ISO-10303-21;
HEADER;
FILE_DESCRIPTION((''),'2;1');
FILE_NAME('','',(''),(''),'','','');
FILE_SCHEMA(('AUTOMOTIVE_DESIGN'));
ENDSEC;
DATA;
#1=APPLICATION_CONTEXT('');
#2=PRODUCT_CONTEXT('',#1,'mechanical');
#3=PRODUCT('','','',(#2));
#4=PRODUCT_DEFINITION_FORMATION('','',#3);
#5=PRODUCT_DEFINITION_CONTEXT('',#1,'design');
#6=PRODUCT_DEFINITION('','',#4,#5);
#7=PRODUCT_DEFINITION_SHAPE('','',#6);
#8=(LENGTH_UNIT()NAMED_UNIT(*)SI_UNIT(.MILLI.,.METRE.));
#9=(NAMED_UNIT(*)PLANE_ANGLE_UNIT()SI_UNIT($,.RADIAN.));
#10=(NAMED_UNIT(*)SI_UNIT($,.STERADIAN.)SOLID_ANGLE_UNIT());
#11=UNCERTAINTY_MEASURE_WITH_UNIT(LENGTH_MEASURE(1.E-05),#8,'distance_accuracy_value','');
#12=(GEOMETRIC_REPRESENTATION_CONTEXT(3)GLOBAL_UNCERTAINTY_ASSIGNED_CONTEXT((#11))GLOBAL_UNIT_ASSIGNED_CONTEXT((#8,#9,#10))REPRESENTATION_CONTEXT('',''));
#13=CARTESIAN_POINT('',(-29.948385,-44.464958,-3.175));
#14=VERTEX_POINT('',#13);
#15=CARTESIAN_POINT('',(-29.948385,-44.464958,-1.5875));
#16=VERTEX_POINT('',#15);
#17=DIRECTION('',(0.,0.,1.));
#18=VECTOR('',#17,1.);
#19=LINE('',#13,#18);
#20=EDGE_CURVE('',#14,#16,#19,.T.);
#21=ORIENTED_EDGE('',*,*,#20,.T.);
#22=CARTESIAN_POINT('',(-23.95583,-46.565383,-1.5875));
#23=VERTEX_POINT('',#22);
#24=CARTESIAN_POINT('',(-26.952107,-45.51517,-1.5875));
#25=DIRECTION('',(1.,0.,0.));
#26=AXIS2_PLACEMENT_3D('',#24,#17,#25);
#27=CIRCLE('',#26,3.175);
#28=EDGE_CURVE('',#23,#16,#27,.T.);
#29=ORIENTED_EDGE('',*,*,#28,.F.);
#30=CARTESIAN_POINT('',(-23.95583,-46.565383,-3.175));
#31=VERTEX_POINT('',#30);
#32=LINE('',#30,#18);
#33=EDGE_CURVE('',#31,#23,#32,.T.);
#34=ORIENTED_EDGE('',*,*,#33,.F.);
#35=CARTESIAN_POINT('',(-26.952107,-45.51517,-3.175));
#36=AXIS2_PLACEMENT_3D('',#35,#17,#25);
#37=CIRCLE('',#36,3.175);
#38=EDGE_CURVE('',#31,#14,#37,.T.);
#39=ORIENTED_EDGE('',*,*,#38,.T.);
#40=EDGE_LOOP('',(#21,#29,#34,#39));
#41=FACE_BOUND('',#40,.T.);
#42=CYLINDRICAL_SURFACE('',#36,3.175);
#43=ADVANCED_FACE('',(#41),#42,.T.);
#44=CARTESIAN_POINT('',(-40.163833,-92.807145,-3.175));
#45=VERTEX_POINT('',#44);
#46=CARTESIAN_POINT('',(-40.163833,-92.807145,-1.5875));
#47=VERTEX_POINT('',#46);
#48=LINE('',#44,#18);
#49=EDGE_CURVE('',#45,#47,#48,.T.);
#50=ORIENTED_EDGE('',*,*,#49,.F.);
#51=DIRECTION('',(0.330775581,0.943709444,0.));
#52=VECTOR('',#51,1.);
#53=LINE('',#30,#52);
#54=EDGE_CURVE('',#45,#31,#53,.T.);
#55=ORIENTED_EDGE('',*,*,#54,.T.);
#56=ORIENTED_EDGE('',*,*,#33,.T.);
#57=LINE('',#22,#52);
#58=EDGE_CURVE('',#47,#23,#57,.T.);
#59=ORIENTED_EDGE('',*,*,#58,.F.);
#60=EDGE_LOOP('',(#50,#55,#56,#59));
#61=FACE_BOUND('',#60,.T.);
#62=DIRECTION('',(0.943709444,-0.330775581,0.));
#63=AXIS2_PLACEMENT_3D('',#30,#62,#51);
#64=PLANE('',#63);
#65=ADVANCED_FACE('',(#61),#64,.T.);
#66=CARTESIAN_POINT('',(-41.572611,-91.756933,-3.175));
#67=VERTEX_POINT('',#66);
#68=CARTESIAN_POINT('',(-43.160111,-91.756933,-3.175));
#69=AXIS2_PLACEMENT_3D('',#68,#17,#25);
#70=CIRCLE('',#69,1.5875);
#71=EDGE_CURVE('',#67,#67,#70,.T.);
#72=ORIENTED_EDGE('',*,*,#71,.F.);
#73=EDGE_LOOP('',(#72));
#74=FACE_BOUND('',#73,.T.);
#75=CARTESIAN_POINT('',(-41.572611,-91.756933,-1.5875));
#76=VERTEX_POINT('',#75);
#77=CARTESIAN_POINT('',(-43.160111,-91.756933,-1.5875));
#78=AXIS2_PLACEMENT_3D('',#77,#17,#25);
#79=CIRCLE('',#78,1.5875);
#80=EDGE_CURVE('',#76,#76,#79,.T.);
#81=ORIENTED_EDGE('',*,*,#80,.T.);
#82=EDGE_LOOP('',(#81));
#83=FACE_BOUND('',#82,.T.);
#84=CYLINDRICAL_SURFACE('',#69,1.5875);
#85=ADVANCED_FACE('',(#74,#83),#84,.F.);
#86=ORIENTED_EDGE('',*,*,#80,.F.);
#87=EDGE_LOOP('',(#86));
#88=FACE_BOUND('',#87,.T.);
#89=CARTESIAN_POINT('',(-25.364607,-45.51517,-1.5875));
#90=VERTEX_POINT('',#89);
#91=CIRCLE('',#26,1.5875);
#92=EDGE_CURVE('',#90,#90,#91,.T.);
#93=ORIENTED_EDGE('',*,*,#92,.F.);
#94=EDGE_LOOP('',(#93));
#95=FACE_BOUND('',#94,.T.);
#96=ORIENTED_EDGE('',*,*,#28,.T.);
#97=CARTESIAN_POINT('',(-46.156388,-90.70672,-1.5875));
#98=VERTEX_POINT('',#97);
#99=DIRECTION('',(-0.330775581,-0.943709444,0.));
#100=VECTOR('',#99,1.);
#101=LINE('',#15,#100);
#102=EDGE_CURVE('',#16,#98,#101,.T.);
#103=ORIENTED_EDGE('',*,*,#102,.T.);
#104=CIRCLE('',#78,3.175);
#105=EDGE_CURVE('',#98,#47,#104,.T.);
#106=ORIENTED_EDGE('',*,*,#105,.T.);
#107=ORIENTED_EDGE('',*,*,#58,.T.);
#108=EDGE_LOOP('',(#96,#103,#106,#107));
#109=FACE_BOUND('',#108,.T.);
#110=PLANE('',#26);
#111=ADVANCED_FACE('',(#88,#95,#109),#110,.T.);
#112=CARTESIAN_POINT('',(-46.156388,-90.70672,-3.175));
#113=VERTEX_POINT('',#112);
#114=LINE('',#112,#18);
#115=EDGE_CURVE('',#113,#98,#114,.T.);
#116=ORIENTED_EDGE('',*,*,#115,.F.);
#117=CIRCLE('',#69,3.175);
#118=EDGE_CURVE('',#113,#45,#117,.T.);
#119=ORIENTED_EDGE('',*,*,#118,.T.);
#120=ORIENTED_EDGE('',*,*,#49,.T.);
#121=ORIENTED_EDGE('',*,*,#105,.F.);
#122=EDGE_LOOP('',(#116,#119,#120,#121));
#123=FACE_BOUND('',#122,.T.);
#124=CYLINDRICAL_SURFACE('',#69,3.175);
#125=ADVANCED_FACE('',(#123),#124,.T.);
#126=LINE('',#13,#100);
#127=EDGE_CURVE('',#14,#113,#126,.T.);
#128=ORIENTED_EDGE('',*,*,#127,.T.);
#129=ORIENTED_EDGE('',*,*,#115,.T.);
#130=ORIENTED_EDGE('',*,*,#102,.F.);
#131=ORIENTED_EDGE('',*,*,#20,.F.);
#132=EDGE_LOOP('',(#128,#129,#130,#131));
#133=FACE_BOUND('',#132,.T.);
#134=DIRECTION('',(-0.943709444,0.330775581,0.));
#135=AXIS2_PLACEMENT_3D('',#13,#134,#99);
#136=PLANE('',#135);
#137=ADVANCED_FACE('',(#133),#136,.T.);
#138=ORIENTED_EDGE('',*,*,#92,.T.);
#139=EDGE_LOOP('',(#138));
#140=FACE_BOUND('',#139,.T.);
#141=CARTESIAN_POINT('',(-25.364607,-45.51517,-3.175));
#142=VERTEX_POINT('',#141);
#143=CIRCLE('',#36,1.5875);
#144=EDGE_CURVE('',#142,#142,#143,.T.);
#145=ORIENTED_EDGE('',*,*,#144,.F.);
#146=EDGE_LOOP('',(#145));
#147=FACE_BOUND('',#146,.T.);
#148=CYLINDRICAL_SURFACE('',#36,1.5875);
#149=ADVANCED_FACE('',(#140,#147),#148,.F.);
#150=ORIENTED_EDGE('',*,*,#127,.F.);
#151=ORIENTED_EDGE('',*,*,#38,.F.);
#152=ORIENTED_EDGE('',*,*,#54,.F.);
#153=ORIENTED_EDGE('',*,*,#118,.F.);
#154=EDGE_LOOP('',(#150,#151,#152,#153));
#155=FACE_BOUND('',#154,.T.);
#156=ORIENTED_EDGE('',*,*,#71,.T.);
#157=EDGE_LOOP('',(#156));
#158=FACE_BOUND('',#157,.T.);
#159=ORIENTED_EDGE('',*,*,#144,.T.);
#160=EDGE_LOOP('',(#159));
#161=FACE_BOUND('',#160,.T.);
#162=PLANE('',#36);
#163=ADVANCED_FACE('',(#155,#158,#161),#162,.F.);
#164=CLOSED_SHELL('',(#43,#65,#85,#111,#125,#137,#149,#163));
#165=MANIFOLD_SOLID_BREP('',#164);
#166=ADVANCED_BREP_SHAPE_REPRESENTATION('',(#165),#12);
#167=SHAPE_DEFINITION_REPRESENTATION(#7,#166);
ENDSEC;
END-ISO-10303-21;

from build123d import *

# Parameters (mm, degrees)
BOSS_EXTRUDE1_START = -1.5875
SKETCH1_R           = 1.5875
BOSS_EXTRUDE1_DEPTH = 1.5875


with BuildPart() as part:
    # Sketch1 → Boss-Extrude1 (new body)
    with BuildSketch(Plane.XY.offset(BOSS_EXTRUDE1_START)):
        with BuildLine():
            Line((-23.955829547, -46.565382641), (-40.163833039, -92.807145397))
            ThreePointArc((-40.163833039, -92.807145397), (-44.210322995, -94.753210411), (-46.156388009, -90.706720455))
            Line((-46.156388009, -90.706720455), (-29.948384516, -44.464957699))
            ThreePointArc((-29.948384516, -44.464957699), (-25.90189456, -42.518892685), (-23.955829547, -46.565382641))
        make_face()
        with Locations((-43.160110524, -91.756932926)):
            Circle(SKETCH1_R, mode=Mode.SUBTRACT)
        with Locations((-26.952107032, -45.51517017)):
            Circle(SKETCH1_R, mode=Mode.SUBTRACT)
    extrude(amount=-BOSS_EXTRUDE1_DEPTH)


solid = part.part
